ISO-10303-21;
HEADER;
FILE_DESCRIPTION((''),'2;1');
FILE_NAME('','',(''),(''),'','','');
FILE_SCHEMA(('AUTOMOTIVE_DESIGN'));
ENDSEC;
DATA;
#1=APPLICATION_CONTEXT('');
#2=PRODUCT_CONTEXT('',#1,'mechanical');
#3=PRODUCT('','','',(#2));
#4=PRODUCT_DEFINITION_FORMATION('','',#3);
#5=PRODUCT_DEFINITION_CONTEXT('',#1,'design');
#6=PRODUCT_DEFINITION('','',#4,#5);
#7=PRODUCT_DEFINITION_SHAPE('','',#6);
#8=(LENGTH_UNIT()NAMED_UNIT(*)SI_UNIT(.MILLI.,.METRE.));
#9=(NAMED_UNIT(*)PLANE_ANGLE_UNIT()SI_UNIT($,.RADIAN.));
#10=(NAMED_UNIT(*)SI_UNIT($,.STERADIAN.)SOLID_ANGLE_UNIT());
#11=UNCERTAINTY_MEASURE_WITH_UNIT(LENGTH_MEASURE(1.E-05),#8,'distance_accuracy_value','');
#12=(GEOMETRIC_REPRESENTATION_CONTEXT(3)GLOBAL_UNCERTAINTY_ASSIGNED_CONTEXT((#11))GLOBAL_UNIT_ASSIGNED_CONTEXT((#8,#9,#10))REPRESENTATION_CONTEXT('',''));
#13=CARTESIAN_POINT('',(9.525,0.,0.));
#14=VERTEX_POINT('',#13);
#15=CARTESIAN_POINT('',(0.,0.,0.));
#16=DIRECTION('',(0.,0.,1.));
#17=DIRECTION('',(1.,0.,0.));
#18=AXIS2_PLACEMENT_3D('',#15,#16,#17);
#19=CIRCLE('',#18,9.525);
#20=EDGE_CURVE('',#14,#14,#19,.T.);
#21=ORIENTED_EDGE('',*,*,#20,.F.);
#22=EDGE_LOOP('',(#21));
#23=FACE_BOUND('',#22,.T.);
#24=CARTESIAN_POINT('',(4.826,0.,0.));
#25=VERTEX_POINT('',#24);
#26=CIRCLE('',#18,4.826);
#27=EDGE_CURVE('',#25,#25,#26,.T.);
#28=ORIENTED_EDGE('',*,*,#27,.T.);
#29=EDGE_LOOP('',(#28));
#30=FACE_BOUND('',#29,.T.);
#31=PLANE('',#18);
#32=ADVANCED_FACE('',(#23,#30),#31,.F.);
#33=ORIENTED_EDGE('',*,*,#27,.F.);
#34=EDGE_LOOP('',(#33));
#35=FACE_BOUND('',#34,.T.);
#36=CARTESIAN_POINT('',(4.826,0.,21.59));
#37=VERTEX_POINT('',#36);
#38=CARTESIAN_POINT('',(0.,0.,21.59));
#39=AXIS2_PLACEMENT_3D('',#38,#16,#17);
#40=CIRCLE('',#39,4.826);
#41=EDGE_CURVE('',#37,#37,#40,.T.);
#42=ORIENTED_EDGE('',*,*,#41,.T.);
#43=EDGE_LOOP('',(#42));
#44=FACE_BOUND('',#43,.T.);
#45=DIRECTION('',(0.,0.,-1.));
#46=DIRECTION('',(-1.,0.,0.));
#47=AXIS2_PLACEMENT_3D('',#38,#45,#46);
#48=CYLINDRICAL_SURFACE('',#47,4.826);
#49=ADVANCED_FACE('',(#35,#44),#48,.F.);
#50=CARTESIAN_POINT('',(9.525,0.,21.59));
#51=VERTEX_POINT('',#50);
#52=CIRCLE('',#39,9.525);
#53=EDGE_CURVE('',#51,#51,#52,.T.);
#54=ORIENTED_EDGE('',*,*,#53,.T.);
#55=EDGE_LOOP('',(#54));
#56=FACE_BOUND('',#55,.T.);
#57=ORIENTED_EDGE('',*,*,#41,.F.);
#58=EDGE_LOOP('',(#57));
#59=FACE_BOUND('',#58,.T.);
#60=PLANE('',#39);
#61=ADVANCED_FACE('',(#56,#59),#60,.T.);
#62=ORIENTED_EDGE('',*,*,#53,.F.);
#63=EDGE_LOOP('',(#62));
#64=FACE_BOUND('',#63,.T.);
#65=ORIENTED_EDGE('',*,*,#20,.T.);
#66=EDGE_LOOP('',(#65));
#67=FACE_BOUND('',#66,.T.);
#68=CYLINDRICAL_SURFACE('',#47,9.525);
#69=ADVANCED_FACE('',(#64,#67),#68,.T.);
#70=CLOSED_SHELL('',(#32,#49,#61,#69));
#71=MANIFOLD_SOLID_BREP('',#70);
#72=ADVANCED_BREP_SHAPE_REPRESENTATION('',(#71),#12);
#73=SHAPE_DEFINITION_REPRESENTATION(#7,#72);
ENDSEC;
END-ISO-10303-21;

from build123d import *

# Parameters (mm, degrees)
SKETCH1_R           = 9.525
SKETCH1_R_2         = 4.826
BOSS_EXTRUDE1_DEPTH = 21.59


with BuildPart() as part:
    # Sketch1 → Boss-Extrude1 (new body)
    with BuildSketch(Plane.XY):
        Circle(SKETCH1_R)
        Circle(SKETCH1_R_2, mode=Mode.SUBTRACT)
    extrude(amount=BOSS_EXTRUDE1_DEPTH)


solid = part.part
